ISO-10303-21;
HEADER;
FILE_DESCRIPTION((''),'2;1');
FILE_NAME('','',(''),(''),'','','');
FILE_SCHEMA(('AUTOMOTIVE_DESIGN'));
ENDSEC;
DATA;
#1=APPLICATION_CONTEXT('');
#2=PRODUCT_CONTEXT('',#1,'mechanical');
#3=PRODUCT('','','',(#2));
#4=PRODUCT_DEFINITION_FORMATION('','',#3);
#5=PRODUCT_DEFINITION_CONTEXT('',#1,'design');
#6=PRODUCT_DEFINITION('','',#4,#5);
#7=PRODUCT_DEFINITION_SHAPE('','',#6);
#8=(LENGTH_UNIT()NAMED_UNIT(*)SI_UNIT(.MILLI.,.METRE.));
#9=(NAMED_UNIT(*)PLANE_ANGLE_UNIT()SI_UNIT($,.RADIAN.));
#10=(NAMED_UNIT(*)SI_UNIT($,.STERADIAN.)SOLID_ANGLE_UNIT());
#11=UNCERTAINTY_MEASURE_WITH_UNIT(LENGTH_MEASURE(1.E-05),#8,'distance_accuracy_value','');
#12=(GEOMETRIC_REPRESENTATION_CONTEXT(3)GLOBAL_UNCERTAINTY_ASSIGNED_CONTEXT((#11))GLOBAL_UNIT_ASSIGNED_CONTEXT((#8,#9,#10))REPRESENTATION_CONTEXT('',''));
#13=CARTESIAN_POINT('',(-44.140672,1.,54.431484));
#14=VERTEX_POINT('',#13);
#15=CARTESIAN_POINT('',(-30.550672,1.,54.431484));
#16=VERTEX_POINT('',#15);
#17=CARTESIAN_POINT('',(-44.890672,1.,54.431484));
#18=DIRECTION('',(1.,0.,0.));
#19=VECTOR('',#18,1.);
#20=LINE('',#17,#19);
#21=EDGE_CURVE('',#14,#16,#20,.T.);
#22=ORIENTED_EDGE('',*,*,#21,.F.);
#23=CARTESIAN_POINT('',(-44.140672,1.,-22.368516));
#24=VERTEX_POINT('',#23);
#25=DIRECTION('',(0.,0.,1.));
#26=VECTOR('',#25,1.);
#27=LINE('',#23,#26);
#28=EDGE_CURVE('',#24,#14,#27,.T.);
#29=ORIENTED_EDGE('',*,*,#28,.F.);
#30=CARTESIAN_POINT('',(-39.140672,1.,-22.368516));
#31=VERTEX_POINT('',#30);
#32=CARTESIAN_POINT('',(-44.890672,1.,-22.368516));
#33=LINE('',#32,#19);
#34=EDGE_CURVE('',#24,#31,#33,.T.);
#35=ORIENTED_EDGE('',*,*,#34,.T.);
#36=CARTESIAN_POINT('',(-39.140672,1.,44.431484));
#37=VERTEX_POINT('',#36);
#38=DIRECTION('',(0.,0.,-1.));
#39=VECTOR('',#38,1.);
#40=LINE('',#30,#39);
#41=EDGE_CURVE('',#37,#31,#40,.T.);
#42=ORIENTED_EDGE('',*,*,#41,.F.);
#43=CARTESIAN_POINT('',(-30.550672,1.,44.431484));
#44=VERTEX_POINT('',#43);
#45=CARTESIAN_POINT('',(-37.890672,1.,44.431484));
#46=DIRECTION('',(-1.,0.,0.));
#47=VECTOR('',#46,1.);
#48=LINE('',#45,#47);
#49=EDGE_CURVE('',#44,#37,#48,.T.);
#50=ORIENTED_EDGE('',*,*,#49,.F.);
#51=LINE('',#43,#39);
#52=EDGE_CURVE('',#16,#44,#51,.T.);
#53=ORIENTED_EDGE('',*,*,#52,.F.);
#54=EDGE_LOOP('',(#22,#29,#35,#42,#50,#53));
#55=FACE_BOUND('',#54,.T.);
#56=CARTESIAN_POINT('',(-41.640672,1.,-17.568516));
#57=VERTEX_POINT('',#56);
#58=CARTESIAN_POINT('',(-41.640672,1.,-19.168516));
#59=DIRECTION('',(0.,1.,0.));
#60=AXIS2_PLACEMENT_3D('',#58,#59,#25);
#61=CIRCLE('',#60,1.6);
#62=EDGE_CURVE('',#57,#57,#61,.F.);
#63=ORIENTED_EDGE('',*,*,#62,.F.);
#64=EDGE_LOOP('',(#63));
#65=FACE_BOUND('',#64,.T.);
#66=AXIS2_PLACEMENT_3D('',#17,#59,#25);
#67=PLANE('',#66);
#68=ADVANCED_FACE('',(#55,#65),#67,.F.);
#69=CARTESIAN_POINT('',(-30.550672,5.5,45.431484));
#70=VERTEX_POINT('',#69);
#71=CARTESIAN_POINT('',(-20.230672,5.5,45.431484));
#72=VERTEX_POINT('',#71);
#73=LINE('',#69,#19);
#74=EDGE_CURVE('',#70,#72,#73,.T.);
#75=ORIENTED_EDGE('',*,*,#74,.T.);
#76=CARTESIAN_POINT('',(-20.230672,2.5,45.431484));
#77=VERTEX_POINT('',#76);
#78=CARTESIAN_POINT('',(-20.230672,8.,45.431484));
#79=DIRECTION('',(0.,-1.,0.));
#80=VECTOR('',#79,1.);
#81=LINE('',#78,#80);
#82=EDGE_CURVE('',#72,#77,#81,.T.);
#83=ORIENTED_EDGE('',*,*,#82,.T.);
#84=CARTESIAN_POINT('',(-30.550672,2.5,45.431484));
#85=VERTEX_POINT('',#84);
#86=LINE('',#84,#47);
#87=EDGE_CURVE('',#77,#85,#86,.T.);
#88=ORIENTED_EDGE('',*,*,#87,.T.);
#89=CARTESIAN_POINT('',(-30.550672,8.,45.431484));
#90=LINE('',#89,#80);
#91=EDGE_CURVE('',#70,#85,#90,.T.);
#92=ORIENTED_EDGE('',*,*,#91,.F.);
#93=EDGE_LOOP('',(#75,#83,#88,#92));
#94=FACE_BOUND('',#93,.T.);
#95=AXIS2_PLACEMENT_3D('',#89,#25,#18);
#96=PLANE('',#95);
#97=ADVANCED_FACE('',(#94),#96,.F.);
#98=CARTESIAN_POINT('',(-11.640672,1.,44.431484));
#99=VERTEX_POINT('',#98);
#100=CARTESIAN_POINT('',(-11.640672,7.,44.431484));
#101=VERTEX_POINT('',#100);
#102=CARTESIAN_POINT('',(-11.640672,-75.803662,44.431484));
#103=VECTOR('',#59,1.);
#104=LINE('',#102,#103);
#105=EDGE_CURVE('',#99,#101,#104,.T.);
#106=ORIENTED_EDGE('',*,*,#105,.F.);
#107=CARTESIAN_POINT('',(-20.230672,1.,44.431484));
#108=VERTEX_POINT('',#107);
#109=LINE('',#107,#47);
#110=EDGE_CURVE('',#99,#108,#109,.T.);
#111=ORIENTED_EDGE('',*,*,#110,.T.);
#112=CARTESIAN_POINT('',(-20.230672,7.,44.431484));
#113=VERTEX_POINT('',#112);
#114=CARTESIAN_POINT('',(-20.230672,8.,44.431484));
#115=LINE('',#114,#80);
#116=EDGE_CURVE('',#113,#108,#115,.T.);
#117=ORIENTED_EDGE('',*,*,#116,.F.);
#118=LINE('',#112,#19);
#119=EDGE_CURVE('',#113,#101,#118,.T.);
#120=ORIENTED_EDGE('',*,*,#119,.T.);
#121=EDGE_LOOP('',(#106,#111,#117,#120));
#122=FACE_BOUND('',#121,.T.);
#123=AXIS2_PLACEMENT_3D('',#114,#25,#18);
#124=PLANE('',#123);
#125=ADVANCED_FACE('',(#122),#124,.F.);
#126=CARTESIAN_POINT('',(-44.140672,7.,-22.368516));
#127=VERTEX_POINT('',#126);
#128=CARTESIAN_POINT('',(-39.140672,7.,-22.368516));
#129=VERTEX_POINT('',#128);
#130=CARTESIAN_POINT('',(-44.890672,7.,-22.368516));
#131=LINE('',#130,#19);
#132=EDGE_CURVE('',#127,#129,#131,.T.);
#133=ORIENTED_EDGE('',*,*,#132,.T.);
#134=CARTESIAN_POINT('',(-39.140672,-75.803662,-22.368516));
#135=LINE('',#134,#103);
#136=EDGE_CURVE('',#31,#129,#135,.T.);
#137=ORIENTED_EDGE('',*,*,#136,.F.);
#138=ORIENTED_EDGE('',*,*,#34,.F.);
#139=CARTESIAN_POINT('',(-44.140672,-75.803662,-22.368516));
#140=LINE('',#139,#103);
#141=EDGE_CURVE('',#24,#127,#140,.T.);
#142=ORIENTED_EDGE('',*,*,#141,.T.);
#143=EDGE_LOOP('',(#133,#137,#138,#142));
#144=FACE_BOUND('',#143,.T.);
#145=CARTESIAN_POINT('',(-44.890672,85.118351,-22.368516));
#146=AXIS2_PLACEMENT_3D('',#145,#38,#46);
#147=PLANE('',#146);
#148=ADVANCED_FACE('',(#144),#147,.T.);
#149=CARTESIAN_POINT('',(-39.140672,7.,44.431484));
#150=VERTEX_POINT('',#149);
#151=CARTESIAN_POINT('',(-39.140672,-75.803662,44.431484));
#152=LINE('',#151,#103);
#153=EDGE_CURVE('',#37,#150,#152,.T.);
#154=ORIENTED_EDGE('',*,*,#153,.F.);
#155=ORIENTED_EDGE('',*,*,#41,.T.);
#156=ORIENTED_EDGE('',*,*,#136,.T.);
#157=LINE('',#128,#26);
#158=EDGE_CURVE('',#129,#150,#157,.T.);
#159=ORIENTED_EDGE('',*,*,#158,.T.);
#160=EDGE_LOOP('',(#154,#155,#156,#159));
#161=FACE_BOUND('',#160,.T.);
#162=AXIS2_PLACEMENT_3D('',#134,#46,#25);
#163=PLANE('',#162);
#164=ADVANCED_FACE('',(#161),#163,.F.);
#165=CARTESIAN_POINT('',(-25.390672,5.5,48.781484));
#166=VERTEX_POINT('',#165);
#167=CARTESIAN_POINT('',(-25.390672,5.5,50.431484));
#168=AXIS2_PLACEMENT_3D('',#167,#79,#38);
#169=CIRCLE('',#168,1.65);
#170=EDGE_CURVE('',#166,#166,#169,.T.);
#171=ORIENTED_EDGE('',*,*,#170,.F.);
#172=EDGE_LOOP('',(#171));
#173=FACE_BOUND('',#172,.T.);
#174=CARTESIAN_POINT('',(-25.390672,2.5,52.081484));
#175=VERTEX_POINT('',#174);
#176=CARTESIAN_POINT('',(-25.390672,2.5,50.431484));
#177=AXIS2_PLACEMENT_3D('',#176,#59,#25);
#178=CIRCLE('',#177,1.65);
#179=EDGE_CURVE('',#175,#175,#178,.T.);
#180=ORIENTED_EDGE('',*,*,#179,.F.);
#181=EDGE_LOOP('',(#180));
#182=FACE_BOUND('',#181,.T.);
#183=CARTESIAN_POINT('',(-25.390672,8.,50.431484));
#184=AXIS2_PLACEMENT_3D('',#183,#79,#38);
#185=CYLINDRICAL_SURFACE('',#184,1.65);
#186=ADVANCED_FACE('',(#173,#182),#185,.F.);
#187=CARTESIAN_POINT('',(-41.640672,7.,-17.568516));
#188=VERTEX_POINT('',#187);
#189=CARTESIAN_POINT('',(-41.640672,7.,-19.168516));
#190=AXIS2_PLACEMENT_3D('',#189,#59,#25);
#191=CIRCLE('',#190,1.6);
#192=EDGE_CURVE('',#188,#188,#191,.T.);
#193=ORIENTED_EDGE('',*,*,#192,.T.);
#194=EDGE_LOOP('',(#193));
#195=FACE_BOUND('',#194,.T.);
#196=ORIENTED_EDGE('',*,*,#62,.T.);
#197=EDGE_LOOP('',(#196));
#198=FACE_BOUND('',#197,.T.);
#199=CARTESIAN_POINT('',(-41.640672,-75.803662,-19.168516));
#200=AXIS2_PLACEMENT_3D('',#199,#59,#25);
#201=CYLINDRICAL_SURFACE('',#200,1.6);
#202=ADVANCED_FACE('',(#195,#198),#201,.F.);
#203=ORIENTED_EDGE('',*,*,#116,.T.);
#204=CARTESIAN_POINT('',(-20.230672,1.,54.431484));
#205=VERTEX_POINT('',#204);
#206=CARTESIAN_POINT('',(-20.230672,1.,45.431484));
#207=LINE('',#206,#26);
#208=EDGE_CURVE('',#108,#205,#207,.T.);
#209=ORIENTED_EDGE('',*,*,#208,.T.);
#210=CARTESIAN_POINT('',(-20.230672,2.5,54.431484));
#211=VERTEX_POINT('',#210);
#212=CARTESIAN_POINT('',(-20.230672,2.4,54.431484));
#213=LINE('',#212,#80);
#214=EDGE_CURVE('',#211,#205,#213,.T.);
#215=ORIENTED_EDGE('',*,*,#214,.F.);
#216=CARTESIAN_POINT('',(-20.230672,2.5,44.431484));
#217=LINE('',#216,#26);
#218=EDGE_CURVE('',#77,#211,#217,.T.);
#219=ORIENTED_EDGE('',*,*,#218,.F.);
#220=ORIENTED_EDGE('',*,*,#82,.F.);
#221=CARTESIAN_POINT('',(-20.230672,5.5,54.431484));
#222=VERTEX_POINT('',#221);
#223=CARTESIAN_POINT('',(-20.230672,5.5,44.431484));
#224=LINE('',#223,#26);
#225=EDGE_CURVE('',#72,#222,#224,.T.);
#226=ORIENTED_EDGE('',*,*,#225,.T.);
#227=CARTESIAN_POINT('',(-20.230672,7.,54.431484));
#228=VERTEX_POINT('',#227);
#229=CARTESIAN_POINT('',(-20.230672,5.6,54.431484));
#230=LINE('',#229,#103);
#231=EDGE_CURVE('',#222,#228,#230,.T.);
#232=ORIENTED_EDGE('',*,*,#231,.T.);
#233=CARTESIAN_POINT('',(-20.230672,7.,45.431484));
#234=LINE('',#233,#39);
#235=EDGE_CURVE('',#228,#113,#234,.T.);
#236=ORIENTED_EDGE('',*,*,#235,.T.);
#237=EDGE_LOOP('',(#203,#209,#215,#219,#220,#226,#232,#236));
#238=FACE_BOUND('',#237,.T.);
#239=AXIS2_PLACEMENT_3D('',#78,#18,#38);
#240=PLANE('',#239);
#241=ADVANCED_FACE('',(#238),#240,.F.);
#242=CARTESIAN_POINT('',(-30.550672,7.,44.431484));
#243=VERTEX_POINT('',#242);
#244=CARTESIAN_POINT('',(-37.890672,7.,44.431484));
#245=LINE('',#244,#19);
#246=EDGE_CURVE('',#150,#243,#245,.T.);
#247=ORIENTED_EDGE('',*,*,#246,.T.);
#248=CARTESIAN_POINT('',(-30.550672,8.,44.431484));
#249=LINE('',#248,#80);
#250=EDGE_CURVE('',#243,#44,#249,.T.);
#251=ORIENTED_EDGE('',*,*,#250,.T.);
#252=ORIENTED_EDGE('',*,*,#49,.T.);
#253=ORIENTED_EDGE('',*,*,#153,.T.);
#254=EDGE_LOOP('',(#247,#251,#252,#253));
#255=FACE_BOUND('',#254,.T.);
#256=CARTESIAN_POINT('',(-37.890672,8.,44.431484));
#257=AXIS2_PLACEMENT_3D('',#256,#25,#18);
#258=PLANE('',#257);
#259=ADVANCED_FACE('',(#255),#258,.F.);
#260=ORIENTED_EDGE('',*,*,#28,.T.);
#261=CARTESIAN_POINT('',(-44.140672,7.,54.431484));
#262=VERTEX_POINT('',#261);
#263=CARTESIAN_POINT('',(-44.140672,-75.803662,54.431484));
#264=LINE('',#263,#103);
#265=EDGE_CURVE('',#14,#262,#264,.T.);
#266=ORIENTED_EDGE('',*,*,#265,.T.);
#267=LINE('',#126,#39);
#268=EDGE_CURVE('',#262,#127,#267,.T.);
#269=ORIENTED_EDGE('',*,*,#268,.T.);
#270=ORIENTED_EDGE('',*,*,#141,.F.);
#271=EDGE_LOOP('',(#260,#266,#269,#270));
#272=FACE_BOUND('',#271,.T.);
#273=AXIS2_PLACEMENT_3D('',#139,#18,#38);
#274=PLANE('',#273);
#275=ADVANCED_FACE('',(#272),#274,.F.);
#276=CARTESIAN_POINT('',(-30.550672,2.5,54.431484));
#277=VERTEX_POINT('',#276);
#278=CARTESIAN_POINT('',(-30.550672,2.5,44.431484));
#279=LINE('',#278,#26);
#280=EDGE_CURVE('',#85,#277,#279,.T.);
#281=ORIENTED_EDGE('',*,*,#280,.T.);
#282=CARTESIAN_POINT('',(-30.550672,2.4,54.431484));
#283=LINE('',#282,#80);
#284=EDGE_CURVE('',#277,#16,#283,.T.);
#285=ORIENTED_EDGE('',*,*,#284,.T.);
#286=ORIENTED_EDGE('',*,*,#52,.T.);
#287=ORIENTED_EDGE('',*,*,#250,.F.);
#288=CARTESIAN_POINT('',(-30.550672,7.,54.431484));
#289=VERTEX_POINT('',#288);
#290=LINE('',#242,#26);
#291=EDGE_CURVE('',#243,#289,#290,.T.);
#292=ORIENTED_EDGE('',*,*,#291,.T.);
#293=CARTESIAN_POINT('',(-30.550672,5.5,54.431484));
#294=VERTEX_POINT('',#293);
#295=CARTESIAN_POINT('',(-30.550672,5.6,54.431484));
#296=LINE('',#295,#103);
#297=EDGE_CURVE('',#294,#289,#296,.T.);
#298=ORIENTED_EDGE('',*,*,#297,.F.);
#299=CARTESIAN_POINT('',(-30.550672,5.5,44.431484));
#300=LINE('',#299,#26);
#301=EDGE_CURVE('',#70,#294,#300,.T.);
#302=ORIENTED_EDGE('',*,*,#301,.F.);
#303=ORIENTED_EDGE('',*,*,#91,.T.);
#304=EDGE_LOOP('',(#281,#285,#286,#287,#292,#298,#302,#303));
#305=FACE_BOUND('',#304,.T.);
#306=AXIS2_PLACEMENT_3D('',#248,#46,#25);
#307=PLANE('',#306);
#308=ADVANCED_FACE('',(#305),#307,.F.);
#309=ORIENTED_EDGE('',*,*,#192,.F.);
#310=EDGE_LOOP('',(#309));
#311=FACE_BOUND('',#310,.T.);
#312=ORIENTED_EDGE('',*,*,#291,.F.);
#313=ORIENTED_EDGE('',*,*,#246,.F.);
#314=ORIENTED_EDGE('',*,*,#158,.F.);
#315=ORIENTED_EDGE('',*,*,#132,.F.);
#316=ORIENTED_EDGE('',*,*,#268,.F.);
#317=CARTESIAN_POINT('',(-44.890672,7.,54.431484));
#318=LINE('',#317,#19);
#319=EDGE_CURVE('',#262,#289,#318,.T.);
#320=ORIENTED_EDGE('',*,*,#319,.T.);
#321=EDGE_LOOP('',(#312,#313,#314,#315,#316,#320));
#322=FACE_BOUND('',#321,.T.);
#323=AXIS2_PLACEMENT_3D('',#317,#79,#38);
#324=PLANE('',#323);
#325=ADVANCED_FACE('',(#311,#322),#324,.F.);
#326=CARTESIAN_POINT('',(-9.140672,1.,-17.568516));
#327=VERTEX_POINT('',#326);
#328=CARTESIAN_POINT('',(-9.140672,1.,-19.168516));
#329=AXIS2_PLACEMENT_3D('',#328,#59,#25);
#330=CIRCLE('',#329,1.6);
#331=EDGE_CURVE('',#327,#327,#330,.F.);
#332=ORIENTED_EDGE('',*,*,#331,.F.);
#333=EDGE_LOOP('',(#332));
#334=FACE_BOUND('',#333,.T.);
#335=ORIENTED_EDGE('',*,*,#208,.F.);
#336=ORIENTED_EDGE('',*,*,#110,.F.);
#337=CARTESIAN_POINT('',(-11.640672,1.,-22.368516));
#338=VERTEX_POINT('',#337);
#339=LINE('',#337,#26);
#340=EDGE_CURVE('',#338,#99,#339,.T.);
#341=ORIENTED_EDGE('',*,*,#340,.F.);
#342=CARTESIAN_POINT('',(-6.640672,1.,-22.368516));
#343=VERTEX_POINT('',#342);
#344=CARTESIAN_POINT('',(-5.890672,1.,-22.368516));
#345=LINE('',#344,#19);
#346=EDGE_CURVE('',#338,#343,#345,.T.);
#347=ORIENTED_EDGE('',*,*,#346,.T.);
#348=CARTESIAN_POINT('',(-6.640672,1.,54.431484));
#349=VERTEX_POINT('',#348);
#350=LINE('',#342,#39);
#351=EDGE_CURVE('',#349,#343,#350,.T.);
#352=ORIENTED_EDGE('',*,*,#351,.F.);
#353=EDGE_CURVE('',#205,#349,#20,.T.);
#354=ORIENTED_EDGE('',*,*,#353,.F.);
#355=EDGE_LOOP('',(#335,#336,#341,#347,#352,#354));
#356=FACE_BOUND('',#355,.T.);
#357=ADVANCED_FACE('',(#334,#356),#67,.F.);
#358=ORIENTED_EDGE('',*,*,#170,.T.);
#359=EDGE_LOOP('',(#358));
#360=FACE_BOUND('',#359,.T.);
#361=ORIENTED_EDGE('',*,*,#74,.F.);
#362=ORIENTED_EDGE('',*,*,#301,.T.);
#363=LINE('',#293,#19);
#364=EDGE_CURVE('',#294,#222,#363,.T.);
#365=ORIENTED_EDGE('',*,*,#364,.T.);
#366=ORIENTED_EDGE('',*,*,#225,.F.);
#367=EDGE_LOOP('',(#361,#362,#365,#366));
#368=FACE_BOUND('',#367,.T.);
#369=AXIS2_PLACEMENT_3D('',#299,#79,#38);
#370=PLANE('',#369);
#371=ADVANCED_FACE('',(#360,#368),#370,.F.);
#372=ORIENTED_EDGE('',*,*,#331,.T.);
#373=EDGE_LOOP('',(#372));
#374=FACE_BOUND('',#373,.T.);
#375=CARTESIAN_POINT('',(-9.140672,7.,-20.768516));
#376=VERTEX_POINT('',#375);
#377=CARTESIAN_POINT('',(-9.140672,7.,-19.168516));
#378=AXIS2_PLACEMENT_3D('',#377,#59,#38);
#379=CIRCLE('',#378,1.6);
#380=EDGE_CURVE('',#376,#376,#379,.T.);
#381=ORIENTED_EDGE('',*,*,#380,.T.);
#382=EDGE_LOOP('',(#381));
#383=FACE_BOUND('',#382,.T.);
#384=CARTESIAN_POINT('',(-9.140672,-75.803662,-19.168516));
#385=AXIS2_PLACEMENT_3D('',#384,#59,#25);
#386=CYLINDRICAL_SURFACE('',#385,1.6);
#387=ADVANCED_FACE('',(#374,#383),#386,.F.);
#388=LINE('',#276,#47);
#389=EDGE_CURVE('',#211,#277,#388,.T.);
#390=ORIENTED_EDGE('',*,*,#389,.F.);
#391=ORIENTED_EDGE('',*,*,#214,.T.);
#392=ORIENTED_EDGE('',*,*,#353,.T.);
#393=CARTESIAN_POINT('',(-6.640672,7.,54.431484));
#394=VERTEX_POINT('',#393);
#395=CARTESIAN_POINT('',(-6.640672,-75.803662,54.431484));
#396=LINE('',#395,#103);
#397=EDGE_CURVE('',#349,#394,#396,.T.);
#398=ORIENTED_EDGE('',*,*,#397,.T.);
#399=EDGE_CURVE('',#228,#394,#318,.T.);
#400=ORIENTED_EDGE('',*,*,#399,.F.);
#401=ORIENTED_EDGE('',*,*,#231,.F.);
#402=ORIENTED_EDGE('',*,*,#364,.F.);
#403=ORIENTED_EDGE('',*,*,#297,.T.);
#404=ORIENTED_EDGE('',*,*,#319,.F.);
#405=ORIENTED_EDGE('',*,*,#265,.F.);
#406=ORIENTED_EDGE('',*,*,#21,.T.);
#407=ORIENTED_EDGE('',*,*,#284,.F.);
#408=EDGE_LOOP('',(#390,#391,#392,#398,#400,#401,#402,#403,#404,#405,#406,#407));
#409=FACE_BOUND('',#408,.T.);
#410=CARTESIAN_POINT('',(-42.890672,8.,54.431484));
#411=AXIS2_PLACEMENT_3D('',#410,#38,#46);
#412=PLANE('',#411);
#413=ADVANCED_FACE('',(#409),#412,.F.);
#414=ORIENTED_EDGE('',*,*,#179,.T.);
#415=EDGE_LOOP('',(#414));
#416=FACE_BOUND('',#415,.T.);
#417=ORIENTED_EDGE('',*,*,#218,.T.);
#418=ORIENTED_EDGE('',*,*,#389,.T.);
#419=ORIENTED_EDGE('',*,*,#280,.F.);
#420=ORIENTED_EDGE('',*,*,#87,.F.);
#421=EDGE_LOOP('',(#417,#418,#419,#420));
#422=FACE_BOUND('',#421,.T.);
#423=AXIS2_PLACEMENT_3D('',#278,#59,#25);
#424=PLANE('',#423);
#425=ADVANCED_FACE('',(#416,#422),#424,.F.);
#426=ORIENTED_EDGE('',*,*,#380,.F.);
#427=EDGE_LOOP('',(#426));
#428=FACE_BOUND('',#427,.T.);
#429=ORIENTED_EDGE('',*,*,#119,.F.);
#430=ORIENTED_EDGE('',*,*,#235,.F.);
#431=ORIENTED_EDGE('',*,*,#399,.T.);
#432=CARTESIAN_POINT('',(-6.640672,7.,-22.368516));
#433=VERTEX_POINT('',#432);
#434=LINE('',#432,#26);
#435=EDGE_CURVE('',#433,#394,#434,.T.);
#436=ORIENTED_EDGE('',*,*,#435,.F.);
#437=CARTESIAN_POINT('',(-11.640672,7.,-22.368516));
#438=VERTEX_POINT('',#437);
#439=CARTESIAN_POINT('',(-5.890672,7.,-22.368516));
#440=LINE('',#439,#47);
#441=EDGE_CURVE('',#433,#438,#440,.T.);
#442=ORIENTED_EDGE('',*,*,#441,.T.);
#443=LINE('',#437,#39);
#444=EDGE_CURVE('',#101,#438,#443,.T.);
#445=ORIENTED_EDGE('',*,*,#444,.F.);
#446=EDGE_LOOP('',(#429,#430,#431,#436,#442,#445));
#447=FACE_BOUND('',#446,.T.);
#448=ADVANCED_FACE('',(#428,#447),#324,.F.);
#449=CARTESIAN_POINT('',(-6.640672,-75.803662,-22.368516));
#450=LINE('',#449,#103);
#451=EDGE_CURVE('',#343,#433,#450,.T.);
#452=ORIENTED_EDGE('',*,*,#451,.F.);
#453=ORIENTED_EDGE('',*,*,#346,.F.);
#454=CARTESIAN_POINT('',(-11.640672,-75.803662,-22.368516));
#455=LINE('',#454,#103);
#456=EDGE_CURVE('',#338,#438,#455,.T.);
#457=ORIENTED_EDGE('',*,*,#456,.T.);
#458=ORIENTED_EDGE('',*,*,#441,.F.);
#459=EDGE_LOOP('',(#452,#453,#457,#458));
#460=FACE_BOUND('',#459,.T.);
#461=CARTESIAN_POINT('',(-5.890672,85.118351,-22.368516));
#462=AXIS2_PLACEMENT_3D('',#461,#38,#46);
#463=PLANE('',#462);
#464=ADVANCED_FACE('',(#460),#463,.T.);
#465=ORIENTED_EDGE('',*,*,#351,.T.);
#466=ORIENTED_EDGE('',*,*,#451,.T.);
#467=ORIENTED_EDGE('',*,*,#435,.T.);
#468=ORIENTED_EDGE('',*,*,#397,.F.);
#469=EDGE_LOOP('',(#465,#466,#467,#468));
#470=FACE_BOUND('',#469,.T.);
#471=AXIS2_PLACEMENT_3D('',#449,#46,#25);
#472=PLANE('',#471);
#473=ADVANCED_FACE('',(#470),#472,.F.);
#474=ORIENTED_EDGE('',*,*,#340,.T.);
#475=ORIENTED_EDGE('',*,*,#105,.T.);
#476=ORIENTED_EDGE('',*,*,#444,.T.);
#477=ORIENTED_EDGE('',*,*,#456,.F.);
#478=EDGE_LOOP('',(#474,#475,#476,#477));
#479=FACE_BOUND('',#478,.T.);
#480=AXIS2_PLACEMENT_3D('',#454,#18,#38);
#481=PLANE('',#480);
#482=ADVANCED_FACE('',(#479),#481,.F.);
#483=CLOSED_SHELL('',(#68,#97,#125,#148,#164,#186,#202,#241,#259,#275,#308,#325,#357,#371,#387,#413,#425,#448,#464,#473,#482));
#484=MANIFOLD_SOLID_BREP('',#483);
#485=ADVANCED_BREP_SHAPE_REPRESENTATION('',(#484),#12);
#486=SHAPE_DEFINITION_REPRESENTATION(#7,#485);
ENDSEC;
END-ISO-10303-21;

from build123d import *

# Parameters (mm, degrees)
SKETCH1_R           = 1.65
BOSS_EXTRUDE1_DEPTH = 8
SKETCH2_W           = 10.32
SKETCH2_H           = 9
CUT_EXTRUDE1_DEPTH  = 2.4
SKETCH3_W           = 10.32
SKETCH3_H           = 9
CUT_EXTRUDE2_DEPTH  = 2.4
BOSS_EXTRUDE2_DEPTH = 8
SKETCH7_W           = 76.8
SKETCH7_H           = 1
CUT_EXTRUDE3_DEPTH  = 68.43727806
SKETCH9_W           = 10.32
SKETCH9_H           = 0.1
CUT_EXTRUDE4_DEPTH  = 10
SKETCH10_R          = 1.6
SKETCH10_W          = 1.25
SKETCH10_H          = 66.8
SKETCH10_W_2        = 0.75
SKETCH10_H_2        = 76.8
CUT_EXTRUDE5_DEPTH  = 6


with BuildPart() as part:
    # Sketch1 → Boss-Extrude1 (new body)
    with BuildSketch(Plane(origin=(0, 0, 0), x_dir=(1, 0, 0), z_dir=(0, 1, 0))):
        Polygon((-37.890672074, -44.431484199), (-30.550672074, -44.431484199), (-30.550672074, -45.431484199), (-20.230672074, -45.431484199), (-20.230672074, -44.431484199), (-12.890672074, -44.431484199), (-12.890672074, 4.468515801), (-7.890672074, 4.468515801), (-7.890672074, -54.431484199), (-42.890672074, -54.431484199), (-42.890672074, 4.468515801), (-37.890672074, 4.468515801), align=None)
        with Locations(Location((-25.390672074, -50.431484199, 0), (0, 0, 270))):
            Circle(SKETCH1_R, mode=Mode.SUBTRACT)
    extrude(amount=BOSS_EXTRUDE1_DEPTH)

    # Sketch2 → Cut-Extrude1 (cut)
    with BuildSketch(Plane(origin=(0, 8, 0), x_dir=(1, 0, 0), z_dir=(0, 1, 0))):
        with Locations((-25.390672074, -49.931484199)):
            Rectangle(SKETCH2_W, SKETCH2_H)
    extrude(amount=-CUT_EXTRUDE1_DEPTH, mode=Mode.SUBTRACT)

    # Sketch3 → Cut-Extrude2 (cut)
    with BuildSketch(Plane.XZ):
        with Locations((-25.390672074, 49.931484199)):
            Rectangle(SKETCH3_W, SKETCH3_H)
    extrude(amount=-CUT_EXTRUDE2_DEPTH, mode=Mode.SUBTRACT)

    # Sketch6 → Boss-Extrude2 (add)
    with BuildSketch(Plane.XZ):
        Polygon((-37.890672074, -22.368515801), (-37.890672074, -4.468515801), (-42.890672074, -4.468515801), (-42.890672074, 54.431484199), (-44.890672074, 54.431484199), (-44.890672074, -10.768515801), (-44.890672074, -22.368515801), align=None)
        Polygon((-7.890672074, -4.468515801), (-12.890672074, -4.468515801), (-12.890672074, -22.368515801), (-5.890672074, -22.368515801), (-5.890672074, -10.768515801), (-5.890672074, 54.431484199), (-7.890672074, 54.431484199), align=None)
    extrude(amount=-BOSS_EXTRUDE2_DEPTH)

    # Sketch7 → Cut-Extrude3 (cut, through all)
    with BuildSketch(Plane(origin=(-5.890672074, 0, 0), x_dir=(0, 0, -1), z_dir=(1, 0, 0))):
        with Locations((-16.031484199, 7.5)):
            Rectangle(SKETCH7_W, SKETCH7_H)
        with Locations((-16.031484199, 0.5)):
            Rectangle(SKETCH7_W, SKETCH7_H)
    extrude(amount=-CUT_EXTRUDE3_DEPTH, mode=Mode.SUBTRACT)

    # Sketch9 → Cut-Extrude4 (cut)
    with BuildSketch(Plane.XY.offset(54.431484199)):
        with Locations((-25.390672074, 5.55)):
            Rectangle(SKETCH9_W, SKETCH9_H)
        with Locations((-25.390672074, 2.45)):
            Rectangle(SKETCH9_W, SKETCH9_H)
    extrude(amount=-CUT_EXTRUDE4_DEPTH, mode=Mode.SUBTRACT)

    # Sketch10 → Cut-Extrude5 (cut)
    with BuildSketch(Plane(origin=(0, 7, 0), x_dir=(1, 0, 0), z_dir=(0, 1, 0))):
        with Locations(Location((-41.640672074, 19.168515801, 0), (0, 0, 270))):
            Circle(SKETCH10_R)
        with Locations(Location((-9.140672074, 19.168515801, 0), (0, 0, 270))):
            Circle(SKETCH10_R)
        with Locations((-38.515672074, -11.031484199)):
            Rectangle(SKETCH10_W, SKETCH10_H)
        with Locations((-12.265672074, -11.031484199)):
            Rectangle(SKETCH10_W, SKETCH10_H)
        with Locations((-6.265672074, -16.031484199)):
            Rectangle(SKETCH10_W_2, SKETCH10_H_2)
        with Locations((-44.515672074, -16.031484199)):
            Rectangle(SKETCH10_W_2, SKETCH10_H_2)
    extrude(amount=-CUT_EXTRUDE5_DEPTH, mode=Mode.SUBTRACT)


solid = part.part
